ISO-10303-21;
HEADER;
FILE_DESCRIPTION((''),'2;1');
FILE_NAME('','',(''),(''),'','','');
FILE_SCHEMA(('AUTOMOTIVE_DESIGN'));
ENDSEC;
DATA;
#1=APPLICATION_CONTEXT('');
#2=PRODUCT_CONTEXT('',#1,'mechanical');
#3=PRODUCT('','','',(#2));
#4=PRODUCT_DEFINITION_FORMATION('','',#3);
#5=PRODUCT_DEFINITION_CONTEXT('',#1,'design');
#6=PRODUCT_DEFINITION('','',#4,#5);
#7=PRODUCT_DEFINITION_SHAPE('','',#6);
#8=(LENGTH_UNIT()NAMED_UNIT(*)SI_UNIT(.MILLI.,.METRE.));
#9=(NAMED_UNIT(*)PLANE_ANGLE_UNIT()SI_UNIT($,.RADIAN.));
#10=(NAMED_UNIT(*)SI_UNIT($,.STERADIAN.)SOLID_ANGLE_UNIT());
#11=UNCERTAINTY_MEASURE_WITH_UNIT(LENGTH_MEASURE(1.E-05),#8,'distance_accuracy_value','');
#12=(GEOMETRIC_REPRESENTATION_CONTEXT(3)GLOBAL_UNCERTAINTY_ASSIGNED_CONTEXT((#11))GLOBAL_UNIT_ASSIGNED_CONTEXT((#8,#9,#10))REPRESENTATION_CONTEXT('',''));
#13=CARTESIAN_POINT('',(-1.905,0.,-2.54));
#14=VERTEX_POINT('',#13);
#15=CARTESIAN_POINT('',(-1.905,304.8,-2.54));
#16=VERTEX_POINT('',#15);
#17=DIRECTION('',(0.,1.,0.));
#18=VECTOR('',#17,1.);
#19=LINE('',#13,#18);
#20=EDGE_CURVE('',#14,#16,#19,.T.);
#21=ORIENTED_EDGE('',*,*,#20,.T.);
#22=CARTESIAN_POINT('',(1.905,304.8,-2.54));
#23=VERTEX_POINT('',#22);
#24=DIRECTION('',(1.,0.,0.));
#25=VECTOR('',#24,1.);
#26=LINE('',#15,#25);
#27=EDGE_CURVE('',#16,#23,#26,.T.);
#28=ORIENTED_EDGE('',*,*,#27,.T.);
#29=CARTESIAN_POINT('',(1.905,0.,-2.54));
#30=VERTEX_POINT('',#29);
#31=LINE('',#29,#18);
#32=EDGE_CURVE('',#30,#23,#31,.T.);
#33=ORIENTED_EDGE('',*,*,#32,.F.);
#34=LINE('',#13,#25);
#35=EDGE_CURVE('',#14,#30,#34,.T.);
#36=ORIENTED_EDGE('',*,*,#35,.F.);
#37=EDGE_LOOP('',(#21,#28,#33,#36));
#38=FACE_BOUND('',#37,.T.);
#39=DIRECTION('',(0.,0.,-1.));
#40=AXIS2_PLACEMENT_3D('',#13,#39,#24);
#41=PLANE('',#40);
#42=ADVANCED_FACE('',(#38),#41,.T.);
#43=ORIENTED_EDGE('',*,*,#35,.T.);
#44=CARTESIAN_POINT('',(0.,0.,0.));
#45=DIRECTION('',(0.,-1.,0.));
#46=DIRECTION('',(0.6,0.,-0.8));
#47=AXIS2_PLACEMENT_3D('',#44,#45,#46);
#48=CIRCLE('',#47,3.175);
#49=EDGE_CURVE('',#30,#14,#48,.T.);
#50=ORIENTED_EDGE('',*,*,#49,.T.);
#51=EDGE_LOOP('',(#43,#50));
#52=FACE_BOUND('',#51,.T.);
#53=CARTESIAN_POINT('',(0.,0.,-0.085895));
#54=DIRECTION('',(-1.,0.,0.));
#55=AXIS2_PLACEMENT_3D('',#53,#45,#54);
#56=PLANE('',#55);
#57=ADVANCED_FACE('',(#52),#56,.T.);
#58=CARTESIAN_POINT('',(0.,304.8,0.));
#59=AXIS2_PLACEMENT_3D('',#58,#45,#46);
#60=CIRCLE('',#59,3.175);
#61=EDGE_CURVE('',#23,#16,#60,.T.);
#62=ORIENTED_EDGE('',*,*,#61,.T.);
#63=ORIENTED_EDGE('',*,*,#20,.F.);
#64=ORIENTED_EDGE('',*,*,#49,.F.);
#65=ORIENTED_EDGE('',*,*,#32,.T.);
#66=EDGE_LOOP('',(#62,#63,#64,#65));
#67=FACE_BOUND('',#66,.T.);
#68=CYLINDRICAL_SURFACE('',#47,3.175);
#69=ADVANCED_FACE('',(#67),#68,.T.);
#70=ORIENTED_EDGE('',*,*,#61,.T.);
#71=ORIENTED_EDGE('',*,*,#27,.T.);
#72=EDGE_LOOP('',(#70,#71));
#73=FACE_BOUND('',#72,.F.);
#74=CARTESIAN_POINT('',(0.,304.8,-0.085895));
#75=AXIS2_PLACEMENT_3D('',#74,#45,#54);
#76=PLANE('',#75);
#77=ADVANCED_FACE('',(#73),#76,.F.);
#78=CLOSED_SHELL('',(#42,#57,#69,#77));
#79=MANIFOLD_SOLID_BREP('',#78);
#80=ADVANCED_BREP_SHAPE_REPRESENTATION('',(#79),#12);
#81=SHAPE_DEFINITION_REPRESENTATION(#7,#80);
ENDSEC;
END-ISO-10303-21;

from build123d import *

# Parameters (mm, degrees)
BOSS_EXTRUDE1_DEPTH = 304.8


with BuildPart() as part:
    # Sketch1 → Boss-Extrude1 (new body)
    with BuildSketch(Plane(origin=(0, 0, 0), x_dir=(1, 0, 0), z_dir=(0, 1, 0))):
        with BuildLine():
            Line((-1.905, 2.54), (1.905, 2.54))
            ThreePointArc((1.905, 2.54), (0, -3.175), (-1.905, 2.54))
        make_face()
    extrude(amount=BOSS_EXTRUDE1_DEPTH)


solid = part.part
